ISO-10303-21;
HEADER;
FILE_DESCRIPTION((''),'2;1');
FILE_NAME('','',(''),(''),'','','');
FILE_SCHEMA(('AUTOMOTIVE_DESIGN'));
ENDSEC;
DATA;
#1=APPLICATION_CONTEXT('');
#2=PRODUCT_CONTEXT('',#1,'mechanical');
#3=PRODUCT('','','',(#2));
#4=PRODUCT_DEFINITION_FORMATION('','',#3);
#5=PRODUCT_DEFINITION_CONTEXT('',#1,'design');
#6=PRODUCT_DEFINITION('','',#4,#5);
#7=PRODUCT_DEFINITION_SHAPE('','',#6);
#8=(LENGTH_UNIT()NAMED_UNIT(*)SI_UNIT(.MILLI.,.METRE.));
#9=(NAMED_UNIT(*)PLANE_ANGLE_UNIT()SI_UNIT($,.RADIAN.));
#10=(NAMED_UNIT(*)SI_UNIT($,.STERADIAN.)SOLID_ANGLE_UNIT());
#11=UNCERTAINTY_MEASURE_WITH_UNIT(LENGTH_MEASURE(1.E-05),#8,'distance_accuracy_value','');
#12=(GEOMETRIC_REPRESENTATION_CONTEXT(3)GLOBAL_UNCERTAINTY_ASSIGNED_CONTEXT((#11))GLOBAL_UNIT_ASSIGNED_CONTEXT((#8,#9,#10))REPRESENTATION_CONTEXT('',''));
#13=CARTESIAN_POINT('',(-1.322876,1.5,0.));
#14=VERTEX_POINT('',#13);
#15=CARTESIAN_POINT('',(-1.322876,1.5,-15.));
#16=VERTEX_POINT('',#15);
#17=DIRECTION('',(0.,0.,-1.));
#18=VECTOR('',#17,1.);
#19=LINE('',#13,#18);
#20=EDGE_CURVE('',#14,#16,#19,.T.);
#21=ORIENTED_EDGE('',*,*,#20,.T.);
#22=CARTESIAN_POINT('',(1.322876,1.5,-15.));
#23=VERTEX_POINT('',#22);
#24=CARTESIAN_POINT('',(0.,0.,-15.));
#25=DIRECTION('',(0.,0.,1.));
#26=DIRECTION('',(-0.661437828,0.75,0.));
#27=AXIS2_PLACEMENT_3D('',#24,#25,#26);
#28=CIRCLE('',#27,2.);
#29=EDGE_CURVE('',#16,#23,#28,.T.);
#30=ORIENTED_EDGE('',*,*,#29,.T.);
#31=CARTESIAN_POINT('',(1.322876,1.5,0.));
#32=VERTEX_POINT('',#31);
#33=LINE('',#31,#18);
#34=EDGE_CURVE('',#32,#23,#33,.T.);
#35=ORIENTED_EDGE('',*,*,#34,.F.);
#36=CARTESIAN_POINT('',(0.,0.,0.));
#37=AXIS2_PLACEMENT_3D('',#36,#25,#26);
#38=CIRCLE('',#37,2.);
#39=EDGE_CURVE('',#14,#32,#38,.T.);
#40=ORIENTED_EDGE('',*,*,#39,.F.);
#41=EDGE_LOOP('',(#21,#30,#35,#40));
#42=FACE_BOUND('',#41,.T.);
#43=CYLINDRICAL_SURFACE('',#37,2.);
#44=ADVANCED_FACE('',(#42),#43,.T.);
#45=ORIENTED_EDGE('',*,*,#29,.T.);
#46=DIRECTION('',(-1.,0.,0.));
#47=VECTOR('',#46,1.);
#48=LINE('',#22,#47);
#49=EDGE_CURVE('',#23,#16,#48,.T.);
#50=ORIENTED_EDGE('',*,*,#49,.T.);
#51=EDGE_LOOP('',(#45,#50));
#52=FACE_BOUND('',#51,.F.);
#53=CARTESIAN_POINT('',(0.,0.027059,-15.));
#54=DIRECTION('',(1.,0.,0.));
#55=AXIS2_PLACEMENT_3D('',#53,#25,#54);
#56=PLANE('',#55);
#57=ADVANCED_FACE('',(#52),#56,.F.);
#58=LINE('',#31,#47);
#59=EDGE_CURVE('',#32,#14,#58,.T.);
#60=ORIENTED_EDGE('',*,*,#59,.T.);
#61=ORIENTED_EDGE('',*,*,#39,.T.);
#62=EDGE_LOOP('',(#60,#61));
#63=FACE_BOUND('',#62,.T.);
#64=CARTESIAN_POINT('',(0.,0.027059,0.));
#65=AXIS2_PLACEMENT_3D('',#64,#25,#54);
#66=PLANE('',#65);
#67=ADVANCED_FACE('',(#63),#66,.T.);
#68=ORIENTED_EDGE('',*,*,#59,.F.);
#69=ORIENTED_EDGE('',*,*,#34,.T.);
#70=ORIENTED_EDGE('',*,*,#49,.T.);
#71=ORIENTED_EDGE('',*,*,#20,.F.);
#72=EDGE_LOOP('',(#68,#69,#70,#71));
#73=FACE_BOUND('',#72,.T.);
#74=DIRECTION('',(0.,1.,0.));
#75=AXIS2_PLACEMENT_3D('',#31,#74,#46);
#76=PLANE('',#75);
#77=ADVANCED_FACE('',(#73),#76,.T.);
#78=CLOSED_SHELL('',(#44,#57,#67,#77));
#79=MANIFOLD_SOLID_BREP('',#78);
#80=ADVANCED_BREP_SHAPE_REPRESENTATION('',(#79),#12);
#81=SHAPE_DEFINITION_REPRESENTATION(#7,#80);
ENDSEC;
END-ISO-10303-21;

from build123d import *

# Parameters (mm, degrees)
BOSS_EXTRUDE1_DEPTH = 15


with BuildPart() as part:
    # Sketch1 → Boss-Extrude1 (new body)
    with BuildSketch(Plane.XY):
        with BuildLine():
            Line((1.322875656, 1.5), (-1.322875656, 1.5))
            ThreePointArc((-1.322875656, 1.5), (0, -2), (1.322875656, 1.5))
        make_face()
    extrude(amount=-BOSS_EXTRUDE1_DEPTH)


solid = part.part
